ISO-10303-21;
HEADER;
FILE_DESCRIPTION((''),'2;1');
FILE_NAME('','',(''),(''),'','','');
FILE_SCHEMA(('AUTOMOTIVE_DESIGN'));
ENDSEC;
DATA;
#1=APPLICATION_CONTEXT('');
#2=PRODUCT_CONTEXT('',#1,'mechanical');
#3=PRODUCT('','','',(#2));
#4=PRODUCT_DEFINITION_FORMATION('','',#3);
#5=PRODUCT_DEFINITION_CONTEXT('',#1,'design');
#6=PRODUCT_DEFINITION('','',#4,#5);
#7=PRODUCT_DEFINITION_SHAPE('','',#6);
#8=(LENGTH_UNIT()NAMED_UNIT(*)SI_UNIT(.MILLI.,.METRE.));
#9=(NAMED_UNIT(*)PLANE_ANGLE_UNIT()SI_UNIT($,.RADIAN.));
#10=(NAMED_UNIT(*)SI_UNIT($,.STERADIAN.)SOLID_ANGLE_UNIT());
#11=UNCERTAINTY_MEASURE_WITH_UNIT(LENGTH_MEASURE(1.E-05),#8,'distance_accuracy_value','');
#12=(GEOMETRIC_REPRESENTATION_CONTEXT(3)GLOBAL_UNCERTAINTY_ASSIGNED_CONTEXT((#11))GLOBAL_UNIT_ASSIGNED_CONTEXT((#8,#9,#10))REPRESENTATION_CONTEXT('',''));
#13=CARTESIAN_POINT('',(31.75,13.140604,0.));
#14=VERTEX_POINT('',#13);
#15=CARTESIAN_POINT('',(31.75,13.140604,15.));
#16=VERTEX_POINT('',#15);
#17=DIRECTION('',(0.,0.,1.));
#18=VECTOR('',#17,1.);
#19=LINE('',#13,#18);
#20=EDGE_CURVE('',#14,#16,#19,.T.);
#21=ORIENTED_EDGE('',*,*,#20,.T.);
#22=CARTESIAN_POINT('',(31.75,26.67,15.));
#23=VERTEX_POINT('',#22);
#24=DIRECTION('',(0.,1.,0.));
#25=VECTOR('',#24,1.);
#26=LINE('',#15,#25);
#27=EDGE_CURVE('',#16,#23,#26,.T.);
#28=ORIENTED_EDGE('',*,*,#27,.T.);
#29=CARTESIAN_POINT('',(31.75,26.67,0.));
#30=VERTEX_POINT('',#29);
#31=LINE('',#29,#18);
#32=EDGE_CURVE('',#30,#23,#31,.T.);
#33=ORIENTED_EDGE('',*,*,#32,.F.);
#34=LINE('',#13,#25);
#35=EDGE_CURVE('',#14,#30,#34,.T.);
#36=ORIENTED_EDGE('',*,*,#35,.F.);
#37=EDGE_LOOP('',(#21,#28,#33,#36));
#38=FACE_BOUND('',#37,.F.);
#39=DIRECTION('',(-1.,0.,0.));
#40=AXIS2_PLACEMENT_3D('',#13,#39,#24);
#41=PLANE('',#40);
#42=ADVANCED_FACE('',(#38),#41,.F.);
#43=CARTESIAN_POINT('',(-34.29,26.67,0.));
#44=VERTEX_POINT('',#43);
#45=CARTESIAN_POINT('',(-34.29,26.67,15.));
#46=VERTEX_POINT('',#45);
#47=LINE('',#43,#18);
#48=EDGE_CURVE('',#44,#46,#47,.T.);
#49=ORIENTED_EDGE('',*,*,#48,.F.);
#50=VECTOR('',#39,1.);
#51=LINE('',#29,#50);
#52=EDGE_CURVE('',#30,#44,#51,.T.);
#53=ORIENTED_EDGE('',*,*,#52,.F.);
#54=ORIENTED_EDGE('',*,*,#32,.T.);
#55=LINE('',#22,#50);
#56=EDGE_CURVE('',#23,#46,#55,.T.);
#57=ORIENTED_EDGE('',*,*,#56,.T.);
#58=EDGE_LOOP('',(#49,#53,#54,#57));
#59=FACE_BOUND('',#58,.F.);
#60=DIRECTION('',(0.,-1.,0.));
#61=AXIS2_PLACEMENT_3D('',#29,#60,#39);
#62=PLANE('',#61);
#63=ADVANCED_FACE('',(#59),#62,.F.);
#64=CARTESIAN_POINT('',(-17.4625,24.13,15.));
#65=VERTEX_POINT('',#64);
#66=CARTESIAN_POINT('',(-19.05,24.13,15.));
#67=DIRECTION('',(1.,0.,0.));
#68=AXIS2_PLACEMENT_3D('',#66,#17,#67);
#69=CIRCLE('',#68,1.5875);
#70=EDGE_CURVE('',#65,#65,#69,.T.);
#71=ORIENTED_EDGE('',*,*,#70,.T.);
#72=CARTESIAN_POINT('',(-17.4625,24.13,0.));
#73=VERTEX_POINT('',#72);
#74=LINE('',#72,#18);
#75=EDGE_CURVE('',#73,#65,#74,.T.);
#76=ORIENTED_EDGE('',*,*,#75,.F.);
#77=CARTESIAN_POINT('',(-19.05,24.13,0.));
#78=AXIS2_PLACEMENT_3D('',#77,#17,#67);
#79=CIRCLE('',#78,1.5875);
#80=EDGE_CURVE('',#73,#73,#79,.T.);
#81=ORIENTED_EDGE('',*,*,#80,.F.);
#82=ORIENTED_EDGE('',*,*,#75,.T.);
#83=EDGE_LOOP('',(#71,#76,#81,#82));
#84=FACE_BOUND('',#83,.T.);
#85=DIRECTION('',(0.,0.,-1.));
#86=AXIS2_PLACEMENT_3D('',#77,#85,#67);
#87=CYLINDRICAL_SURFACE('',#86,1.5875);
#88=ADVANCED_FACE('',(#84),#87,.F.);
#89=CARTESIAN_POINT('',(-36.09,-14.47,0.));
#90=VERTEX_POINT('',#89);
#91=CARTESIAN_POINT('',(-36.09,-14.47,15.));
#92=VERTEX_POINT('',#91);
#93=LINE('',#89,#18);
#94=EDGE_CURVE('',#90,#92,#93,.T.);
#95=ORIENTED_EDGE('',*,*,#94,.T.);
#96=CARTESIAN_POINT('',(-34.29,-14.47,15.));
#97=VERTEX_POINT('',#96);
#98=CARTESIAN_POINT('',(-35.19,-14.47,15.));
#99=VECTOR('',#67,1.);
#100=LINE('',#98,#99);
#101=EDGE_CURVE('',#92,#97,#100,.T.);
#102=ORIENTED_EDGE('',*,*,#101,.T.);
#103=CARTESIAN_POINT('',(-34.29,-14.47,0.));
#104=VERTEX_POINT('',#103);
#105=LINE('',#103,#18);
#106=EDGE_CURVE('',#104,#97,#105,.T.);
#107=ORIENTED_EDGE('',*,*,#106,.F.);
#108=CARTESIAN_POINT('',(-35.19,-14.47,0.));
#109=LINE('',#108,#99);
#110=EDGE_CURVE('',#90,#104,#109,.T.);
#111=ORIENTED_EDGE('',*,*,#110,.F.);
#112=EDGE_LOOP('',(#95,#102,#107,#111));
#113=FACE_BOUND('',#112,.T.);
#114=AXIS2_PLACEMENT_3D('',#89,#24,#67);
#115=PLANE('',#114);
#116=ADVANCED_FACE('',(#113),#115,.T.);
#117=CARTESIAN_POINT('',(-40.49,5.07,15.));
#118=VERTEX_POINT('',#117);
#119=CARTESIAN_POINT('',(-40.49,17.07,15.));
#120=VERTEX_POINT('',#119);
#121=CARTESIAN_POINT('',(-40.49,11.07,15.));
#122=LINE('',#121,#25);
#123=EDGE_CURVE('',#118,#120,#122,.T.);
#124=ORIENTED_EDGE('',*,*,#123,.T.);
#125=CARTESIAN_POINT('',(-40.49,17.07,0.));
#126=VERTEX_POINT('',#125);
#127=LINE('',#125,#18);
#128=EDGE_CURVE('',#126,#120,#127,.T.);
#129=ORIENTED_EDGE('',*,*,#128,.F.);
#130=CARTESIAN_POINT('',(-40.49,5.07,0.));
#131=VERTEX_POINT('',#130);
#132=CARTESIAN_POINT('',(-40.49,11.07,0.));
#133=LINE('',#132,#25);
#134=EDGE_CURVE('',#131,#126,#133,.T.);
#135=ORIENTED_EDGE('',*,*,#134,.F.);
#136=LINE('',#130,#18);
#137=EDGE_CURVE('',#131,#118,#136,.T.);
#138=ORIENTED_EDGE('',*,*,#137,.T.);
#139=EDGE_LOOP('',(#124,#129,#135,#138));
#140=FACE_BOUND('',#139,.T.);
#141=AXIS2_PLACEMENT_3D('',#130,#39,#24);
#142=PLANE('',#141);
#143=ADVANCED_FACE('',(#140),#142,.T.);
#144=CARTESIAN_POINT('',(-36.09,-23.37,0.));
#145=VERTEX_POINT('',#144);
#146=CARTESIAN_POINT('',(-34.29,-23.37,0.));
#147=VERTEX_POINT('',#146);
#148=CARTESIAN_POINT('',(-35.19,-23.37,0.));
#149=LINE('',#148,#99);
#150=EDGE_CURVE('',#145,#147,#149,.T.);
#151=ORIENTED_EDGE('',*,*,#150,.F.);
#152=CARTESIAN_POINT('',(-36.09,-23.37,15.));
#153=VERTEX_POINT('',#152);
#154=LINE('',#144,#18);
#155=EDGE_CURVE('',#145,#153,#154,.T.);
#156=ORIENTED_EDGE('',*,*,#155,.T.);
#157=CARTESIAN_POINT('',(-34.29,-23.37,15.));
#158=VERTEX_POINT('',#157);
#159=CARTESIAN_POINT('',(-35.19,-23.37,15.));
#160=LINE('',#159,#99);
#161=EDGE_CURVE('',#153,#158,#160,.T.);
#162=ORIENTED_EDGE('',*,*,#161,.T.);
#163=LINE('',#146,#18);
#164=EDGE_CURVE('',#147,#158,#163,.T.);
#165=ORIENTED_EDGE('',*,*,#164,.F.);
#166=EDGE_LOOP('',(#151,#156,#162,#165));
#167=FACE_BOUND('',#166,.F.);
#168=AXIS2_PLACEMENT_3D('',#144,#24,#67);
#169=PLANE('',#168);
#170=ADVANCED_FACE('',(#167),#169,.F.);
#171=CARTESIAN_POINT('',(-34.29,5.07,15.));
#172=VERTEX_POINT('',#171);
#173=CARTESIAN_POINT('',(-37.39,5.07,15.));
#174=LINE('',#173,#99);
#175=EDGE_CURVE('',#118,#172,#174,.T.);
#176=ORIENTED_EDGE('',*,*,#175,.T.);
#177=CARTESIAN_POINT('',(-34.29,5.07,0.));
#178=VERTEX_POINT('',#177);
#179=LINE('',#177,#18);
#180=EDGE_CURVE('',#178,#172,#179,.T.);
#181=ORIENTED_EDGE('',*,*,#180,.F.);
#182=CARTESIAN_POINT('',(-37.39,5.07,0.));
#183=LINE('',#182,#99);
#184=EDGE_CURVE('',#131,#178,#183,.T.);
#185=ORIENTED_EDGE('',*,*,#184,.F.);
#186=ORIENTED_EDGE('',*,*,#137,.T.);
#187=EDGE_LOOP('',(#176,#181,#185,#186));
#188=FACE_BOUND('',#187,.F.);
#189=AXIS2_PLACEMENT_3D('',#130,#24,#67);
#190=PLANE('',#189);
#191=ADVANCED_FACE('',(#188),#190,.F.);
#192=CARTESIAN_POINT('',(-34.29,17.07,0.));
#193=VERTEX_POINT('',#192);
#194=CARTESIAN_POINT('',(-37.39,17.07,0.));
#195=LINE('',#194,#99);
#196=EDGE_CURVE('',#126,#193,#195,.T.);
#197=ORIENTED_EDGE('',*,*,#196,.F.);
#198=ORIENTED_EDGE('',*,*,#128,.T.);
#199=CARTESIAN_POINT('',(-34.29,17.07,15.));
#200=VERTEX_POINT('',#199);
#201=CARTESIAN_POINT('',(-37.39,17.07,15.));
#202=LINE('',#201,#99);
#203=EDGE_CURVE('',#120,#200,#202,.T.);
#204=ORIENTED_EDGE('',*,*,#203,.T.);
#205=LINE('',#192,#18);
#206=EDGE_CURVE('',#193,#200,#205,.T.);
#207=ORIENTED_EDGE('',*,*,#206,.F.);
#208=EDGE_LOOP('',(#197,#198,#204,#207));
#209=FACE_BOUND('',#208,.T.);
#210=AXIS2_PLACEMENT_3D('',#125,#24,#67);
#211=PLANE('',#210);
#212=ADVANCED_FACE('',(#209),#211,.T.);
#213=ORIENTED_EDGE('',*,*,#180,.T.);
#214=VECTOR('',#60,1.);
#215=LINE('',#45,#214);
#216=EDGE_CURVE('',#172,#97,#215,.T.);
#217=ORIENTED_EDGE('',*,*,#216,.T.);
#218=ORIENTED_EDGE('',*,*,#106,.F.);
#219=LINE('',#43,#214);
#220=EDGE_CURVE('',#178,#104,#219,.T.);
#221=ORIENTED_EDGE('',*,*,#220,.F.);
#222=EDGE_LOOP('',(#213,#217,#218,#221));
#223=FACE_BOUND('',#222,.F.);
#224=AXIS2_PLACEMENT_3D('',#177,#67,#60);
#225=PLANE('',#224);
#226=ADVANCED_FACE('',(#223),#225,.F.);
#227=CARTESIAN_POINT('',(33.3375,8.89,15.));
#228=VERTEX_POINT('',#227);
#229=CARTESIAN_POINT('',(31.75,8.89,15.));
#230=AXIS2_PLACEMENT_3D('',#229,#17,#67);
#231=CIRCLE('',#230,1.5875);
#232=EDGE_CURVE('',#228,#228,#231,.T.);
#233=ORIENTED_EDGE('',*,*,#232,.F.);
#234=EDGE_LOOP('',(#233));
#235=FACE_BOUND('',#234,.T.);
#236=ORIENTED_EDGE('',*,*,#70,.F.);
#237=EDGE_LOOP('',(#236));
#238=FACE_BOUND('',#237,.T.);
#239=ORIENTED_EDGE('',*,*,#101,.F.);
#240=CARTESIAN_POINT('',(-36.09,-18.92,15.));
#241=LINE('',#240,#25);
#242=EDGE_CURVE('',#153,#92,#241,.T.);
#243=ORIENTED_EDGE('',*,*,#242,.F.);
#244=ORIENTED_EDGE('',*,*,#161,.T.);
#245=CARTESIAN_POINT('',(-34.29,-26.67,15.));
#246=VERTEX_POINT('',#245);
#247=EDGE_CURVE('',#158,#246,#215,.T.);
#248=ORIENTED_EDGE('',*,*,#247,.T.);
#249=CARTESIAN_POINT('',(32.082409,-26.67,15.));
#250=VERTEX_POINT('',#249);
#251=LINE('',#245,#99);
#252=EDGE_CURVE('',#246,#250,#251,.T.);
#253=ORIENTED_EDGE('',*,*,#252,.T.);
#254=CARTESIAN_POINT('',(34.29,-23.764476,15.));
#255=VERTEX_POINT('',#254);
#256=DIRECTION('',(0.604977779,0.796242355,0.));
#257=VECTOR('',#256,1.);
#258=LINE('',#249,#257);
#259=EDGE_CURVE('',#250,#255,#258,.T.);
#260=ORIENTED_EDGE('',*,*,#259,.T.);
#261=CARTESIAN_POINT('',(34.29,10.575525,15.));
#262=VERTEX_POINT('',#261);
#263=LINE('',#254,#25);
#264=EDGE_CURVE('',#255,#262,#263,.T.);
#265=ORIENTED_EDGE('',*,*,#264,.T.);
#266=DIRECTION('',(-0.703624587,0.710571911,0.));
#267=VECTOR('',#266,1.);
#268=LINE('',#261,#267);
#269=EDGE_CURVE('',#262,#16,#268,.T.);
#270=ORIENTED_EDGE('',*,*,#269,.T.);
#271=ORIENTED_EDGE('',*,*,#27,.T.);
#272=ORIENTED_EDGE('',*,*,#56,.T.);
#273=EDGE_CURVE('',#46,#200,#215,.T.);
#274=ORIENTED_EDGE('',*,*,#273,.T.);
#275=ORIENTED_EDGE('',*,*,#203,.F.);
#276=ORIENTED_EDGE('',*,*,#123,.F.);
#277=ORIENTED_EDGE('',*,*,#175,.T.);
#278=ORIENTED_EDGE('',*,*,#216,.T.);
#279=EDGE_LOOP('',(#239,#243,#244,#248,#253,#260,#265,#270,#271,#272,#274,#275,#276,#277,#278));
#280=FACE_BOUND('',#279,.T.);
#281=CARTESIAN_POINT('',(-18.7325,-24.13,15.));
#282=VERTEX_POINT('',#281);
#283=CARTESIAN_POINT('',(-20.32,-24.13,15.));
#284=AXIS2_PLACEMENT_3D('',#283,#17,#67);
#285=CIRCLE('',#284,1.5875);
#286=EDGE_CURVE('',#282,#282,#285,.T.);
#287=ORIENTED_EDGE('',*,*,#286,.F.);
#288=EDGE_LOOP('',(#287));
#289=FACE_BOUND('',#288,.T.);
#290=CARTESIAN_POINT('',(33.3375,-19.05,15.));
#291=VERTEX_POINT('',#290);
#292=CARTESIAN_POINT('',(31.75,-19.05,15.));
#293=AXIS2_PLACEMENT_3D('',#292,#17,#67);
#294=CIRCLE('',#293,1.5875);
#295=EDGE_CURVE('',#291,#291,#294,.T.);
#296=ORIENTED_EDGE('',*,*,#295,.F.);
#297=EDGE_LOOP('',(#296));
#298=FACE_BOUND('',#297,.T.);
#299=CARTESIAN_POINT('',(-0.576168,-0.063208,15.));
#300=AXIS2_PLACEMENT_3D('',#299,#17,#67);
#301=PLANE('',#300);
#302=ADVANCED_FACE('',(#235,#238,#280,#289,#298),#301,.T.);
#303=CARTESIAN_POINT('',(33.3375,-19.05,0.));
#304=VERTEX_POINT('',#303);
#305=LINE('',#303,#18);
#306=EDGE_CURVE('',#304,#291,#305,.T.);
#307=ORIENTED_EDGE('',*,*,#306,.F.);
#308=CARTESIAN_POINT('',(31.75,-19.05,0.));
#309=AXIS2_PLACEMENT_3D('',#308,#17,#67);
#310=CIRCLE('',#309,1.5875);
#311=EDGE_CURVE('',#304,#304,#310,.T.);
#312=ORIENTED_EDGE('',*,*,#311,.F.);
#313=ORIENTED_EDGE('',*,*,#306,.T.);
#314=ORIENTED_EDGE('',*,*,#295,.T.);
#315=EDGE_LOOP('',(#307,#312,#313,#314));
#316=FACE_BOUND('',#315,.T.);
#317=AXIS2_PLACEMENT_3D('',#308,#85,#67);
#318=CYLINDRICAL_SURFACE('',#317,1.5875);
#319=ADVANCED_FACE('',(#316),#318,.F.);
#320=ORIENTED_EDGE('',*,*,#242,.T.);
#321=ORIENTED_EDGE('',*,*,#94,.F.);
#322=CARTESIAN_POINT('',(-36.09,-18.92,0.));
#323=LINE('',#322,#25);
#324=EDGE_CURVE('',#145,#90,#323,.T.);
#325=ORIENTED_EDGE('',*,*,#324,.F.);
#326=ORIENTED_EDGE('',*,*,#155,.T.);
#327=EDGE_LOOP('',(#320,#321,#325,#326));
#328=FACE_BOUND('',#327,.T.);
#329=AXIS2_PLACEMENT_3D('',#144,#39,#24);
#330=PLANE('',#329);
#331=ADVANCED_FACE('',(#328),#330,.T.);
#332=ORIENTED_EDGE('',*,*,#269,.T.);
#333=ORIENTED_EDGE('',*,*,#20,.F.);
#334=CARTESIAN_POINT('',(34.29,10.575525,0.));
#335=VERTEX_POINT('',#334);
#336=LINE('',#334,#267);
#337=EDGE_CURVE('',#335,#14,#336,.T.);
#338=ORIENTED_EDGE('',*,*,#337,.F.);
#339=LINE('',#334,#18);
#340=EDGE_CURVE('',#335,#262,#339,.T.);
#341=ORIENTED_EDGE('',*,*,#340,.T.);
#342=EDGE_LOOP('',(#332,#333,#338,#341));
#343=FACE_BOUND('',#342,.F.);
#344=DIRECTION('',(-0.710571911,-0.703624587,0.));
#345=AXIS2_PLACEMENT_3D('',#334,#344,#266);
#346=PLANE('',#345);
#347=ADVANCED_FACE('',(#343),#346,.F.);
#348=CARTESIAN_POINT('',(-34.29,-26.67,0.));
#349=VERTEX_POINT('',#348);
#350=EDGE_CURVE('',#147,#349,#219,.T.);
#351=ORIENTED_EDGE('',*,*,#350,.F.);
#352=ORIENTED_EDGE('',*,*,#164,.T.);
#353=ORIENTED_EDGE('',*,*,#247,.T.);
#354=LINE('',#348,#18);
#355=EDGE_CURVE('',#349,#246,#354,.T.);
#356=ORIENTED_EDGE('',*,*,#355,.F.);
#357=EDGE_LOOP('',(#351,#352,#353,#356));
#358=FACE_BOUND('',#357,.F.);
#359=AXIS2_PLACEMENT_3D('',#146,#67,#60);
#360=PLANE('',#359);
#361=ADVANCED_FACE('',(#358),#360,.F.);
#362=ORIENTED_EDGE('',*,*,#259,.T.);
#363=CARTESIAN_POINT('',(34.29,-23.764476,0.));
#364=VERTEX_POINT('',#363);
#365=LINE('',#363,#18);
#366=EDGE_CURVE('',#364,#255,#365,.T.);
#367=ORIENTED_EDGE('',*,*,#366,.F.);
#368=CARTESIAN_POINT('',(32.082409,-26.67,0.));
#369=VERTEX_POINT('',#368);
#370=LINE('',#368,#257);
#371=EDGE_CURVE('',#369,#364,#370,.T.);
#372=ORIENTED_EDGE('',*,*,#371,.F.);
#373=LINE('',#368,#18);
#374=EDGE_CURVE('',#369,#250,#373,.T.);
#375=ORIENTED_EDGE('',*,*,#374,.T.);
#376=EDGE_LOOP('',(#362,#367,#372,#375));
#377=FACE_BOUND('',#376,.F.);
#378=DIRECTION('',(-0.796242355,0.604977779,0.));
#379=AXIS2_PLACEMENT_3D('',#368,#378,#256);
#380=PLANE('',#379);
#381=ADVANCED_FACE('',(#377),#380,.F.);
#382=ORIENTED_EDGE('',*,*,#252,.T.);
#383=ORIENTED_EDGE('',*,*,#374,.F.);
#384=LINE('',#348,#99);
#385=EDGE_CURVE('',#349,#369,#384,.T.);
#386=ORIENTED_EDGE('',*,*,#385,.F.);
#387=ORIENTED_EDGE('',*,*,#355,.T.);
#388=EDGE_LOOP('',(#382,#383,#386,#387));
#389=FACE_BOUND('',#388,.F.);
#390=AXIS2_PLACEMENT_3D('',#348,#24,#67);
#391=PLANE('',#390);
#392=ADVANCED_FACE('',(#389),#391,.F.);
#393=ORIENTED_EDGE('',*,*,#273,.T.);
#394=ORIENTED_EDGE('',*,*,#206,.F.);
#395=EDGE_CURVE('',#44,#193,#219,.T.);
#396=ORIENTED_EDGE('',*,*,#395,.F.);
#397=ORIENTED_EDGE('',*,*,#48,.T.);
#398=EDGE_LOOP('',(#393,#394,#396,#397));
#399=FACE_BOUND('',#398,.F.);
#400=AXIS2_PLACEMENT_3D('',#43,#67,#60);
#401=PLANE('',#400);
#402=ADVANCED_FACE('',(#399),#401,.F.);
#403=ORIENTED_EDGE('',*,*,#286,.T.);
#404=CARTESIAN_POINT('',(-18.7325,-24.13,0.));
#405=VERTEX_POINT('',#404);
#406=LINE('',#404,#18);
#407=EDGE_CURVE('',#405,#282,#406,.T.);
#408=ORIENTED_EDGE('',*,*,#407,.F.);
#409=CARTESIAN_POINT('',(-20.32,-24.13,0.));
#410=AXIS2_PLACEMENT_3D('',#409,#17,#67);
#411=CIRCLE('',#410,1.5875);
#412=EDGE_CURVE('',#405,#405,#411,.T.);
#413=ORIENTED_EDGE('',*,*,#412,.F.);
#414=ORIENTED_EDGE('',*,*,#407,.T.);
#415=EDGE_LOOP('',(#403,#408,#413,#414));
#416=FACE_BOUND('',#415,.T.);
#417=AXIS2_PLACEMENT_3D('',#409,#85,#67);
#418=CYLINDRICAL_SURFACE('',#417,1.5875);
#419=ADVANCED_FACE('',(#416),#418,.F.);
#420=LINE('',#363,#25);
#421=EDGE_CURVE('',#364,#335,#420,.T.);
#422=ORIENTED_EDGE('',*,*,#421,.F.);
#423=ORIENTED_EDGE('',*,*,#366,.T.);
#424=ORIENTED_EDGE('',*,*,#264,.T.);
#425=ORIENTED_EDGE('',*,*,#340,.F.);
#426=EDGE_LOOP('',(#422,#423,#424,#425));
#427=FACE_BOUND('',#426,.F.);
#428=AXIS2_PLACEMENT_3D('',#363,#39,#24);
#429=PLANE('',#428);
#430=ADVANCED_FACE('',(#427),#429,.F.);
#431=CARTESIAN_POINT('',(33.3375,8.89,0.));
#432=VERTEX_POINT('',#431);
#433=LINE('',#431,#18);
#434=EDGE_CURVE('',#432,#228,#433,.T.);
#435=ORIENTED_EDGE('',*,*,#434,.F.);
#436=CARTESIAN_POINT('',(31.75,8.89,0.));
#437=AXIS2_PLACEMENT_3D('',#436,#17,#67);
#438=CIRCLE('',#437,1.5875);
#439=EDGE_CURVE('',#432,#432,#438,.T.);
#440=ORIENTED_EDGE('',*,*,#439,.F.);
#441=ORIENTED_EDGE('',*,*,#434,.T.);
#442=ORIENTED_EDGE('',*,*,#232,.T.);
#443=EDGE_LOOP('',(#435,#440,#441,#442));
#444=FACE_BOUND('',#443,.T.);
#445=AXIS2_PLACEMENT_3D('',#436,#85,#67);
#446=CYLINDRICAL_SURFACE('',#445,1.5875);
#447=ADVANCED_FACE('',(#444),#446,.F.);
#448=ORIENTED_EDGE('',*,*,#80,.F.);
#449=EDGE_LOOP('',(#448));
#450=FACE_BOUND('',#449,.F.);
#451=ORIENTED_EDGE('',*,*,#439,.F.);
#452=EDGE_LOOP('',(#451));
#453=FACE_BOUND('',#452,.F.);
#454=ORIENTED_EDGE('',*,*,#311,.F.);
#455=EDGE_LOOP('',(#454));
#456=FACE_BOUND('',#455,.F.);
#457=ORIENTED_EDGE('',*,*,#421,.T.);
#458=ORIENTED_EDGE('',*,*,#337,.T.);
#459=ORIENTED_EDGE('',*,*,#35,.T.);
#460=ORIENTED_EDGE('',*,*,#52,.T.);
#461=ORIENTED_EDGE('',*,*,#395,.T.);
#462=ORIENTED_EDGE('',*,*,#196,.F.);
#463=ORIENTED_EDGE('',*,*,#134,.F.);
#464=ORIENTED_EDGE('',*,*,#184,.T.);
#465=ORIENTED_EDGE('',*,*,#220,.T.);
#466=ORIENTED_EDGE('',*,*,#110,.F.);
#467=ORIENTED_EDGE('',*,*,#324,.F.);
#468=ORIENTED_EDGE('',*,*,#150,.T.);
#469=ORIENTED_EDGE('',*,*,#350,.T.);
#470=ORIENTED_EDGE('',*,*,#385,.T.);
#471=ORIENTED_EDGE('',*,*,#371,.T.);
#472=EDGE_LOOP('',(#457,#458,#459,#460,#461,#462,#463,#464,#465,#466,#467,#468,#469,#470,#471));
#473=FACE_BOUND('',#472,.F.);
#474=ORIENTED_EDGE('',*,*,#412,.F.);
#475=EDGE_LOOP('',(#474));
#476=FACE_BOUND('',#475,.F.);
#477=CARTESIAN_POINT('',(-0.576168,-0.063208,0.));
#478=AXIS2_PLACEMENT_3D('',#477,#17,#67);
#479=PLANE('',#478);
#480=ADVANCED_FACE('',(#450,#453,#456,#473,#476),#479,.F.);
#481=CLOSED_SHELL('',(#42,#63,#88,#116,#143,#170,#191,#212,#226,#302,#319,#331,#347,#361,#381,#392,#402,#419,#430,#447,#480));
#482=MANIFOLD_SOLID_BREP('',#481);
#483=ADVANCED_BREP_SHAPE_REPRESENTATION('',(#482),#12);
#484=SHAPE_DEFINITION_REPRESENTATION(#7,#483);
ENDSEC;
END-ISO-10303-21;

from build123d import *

# Parameters (mm, degrees)
F0_R     = 1.5875
F0_W     = 6.2
F0_H     = 12
F0_W_2   = 1.8
F0_H_2   = 8.9
F1_DEPTH = 15


with BuildPart() as f1:
    # F0 (on Top) → F1 (new body)
    with BuildSketch(Plane.XY):
        Polygon((-34.29, -26.67), (32.082409, -26.67), (34.29, -23.764476), (34.29, 10.575525), (31.75, 13.140604), (31.75, 26.67), (-34.29, 26.67), (-34.29, 17.07), (-34.29, 5.07), (-34.29, -14.47), (-34.29, -23.37), align=None)
        with Locations((-20.32, -24.13)):
            Circle(F0_R, mode=Mode.SUBTRACT)
        with Locations((31.75, -19.05)):
            Circle(F0_R, mode=Mode.SUBTRACT)
        with Locations((-19.05, 24.13)):
            Circle(F0_R, mode=Mode.SUBTRACT)
        with Locations((31.75, 8.89)):
            Circle(F0_R, mode=Mode.SUBTRACT)
        with Locations((-37.39, 11.07)):
            Rectangle(F0_W, F0_H)
        with Locations((-35.19, -18.92)):
            Rectangle(F0_W_2, F0_H_2)
    extrude(amount=F1_DEPTH)


solid = f1.part
